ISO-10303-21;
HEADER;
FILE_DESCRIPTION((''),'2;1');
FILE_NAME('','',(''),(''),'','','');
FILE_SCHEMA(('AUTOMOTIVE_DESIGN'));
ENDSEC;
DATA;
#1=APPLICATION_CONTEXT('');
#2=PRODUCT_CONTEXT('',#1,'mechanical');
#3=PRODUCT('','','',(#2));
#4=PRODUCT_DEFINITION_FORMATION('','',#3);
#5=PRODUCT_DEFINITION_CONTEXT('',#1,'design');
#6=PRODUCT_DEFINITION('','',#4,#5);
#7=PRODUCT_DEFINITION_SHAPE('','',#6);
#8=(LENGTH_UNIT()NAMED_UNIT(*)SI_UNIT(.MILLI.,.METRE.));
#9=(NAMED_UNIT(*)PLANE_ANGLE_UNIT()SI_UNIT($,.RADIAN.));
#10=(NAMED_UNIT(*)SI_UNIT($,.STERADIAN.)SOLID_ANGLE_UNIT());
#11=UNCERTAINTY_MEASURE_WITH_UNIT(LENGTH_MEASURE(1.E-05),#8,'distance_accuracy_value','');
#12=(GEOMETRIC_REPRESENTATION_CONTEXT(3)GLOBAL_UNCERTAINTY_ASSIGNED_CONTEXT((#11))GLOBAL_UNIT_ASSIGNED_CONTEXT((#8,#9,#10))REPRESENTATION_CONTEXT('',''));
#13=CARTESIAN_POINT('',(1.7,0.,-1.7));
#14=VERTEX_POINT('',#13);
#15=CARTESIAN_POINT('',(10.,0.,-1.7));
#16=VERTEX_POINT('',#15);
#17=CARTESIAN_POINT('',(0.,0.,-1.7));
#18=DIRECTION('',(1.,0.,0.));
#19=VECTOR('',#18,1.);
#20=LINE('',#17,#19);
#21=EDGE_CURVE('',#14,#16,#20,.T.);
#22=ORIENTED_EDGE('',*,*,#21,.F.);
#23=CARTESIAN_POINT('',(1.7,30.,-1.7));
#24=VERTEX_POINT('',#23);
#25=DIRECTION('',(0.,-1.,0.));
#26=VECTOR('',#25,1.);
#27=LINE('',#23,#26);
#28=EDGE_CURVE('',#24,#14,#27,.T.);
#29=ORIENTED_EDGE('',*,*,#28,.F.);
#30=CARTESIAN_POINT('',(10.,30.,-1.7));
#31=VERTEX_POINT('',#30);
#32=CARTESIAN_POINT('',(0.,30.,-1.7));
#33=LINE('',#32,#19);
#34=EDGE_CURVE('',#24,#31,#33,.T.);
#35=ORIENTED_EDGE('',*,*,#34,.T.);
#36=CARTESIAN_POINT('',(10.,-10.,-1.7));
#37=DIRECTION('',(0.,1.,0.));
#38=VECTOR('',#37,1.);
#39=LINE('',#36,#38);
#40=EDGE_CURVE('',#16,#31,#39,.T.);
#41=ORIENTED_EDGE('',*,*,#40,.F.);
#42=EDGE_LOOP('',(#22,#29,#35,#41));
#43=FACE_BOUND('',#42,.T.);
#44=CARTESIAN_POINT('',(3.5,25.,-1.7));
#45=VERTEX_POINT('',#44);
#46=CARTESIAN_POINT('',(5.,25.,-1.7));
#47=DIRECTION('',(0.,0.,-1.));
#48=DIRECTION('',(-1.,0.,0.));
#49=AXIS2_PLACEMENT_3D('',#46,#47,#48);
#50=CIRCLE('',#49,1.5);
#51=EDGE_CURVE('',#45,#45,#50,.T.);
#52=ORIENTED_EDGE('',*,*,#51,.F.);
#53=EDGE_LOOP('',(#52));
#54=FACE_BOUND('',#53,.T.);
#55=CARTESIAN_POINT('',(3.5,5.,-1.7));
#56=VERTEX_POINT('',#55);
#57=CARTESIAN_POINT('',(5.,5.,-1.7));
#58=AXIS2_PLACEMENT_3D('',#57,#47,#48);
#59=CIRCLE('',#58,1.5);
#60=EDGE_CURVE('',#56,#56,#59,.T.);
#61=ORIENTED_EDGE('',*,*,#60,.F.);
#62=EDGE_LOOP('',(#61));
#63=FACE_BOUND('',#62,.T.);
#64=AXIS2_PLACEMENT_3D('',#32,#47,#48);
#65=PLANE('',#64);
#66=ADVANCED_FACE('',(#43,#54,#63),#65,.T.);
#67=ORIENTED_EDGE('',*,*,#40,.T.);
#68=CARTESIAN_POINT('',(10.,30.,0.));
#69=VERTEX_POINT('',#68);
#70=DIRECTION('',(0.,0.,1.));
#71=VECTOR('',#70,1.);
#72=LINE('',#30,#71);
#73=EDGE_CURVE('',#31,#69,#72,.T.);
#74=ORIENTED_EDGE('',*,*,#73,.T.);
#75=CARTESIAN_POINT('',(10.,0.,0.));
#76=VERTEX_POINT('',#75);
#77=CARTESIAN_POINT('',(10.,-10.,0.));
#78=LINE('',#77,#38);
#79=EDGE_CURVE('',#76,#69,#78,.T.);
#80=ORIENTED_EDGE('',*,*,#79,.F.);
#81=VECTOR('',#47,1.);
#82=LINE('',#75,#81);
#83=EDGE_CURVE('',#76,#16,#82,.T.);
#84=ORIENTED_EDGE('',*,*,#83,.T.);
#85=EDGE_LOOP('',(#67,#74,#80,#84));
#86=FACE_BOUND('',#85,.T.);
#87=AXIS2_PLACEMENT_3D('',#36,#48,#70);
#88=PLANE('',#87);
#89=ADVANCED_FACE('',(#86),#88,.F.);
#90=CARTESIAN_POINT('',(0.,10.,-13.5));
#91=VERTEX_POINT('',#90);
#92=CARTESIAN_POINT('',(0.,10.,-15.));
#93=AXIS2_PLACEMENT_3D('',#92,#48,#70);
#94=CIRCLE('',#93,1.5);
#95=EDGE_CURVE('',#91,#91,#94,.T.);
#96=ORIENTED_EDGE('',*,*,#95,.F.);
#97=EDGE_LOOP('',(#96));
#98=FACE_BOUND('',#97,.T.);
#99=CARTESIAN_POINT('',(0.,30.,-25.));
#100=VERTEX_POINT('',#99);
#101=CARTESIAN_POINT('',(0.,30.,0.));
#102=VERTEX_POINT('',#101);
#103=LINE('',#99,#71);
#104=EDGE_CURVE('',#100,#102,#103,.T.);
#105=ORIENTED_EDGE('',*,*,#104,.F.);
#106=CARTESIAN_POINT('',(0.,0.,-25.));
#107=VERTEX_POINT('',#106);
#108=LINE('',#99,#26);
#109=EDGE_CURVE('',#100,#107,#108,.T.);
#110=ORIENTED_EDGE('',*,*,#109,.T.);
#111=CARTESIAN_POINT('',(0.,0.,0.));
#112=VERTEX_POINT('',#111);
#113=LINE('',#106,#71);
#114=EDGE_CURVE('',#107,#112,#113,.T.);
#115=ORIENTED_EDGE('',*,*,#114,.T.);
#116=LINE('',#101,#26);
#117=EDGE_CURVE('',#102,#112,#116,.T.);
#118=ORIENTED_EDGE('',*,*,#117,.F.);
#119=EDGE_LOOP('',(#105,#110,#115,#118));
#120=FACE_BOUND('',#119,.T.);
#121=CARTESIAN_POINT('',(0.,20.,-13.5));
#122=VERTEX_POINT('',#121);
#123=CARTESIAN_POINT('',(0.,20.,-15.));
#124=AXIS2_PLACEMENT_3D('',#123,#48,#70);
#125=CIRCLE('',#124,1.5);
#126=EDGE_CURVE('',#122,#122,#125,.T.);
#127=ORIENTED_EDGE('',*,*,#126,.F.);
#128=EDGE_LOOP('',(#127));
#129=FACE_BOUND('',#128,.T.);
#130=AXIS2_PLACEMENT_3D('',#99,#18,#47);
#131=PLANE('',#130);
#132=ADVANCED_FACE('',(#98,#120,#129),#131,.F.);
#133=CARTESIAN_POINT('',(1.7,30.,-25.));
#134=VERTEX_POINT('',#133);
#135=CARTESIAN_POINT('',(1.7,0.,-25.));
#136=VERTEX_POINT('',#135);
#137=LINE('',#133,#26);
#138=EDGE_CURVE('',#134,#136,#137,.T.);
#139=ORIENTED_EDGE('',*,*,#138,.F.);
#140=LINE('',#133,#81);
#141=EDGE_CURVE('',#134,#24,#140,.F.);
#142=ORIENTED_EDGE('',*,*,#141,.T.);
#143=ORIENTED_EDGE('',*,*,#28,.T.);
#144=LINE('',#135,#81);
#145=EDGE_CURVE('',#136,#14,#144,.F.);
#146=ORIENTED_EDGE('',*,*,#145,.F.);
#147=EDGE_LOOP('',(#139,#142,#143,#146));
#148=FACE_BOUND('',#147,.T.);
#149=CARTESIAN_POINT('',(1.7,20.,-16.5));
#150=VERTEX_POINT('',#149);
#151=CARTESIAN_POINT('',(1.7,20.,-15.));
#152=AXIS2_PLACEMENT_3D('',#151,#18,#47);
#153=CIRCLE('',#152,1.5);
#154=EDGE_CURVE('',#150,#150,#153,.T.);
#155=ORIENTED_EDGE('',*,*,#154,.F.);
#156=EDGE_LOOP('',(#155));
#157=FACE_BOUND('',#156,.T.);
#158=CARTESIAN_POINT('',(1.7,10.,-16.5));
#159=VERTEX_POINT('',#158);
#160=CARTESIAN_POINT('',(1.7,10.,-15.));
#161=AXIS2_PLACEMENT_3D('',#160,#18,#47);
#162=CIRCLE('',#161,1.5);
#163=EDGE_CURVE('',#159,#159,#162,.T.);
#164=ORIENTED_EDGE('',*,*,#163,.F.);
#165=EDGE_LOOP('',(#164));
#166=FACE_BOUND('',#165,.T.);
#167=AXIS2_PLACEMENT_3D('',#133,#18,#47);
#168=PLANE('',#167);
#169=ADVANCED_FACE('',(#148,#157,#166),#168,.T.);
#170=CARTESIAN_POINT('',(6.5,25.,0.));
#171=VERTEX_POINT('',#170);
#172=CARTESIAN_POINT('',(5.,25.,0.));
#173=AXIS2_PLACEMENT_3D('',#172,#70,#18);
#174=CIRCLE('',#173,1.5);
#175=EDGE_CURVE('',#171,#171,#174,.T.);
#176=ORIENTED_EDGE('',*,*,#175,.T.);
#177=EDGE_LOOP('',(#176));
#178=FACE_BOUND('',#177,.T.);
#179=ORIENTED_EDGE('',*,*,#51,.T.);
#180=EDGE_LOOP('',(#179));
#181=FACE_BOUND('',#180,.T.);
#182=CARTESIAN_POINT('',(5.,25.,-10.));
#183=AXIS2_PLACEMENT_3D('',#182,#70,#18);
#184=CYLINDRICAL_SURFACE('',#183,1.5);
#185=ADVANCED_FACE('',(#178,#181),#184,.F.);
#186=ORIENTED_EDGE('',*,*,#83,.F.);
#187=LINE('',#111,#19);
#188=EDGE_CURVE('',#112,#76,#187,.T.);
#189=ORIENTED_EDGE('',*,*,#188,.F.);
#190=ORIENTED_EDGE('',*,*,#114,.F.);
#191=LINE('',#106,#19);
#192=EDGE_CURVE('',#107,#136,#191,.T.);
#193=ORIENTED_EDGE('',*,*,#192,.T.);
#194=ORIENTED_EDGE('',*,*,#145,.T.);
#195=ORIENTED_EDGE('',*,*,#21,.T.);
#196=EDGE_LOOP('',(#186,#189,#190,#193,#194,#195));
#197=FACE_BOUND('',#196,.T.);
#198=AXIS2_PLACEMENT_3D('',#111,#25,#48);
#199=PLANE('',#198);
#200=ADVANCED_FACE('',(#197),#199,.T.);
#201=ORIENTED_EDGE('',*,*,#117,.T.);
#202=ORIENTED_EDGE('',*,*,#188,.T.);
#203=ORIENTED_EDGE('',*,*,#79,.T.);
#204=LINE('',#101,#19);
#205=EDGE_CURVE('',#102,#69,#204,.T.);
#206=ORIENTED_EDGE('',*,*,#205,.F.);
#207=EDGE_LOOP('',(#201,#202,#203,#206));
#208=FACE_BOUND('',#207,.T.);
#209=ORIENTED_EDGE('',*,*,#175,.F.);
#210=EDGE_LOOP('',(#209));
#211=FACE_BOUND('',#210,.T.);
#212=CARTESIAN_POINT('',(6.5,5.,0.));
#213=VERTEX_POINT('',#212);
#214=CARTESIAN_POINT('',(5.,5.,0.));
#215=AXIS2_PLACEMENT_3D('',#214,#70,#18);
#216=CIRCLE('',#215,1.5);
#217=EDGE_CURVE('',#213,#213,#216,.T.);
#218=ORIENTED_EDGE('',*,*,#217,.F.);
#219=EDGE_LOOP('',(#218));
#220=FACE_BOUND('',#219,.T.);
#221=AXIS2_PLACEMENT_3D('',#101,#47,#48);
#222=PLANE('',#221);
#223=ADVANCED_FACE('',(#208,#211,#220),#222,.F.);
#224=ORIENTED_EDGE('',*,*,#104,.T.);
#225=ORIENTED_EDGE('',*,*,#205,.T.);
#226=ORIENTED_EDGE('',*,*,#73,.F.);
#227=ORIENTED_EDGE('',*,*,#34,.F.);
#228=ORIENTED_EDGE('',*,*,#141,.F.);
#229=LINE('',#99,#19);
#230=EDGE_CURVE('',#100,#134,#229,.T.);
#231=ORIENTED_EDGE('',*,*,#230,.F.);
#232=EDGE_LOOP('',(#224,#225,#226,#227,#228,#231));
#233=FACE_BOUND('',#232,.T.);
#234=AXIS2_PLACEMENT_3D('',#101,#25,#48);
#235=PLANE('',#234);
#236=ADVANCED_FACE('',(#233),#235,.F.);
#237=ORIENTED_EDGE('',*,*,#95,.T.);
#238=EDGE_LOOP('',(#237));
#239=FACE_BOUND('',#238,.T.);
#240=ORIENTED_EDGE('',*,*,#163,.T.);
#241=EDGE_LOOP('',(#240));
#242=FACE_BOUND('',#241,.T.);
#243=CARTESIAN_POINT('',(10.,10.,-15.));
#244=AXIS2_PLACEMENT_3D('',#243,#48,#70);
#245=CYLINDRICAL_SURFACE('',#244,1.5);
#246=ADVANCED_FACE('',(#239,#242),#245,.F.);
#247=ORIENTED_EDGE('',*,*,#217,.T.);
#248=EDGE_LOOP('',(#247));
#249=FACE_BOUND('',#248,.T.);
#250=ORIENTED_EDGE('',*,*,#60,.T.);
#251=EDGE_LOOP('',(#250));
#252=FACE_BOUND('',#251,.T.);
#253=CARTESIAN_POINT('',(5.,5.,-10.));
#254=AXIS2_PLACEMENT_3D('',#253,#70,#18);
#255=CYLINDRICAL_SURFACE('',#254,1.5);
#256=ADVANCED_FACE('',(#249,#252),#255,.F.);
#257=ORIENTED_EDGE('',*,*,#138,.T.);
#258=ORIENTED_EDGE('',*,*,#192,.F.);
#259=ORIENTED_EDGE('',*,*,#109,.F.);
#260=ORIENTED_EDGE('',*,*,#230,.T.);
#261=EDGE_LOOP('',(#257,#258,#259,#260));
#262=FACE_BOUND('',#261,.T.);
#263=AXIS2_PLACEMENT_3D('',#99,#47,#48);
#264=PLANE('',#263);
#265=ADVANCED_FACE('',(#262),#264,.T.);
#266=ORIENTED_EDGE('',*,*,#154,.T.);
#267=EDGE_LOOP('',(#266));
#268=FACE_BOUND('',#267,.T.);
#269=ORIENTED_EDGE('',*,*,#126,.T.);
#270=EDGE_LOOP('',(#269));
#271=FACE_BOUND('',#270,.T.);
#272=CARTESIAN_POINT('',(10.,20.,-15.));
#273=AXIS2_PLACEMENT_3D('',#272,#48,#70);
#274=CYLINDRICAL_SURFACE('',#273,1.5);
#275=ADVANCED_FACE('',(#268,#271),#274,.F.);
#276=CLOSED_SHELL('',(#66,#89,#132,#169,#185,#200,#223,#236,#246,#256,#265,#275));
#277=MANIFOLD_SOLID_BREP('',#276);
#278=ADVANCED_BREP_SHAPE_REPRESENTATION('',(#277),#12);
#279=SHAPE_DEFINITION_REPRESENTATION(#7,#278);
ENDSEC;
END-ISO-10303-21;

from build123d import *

# Parameters (mm, degrees)
EXTRUDE_THIN1_DEPTH = 30
SKETCH10_R          = 1.5
CUT_EXTRUDE1_DEPTH  = 10
SKETCH11_R          = 1.5
CUT_EXTRUDE2_DEPTH  = 10
SKETCH12_W          = 15
SKETCH12_H          = 1.7
CUT_EXTRUDE3_DEPTH  = 40


with BuildPart() as part:
    # Sketch9 → Extrude-Thin1 (new body)
    with BuildSketch(Plane(origin=(0, 0, 0), x_dir=(1, 0, 0), z_dir=(0, 1, 0))):
        Polygon((0, 25), (0, 0), (25, 0), (25, 1.7), (1.7, 1.7), (1.7, 25), align=None)
    extrude(amount=EXTRUDE_THIN1_DEPTH)

    # Sketch10 → Cut-Extrude1 (cut)
    with BuildSketch(Plane.XY):
        with Locations((5, 25)):
            Circle(SKETCH10_R)
        with Locations((5, 5)):
            Circle(SKETCH10_R)
    extrude(amount=-CUT_EXTRUDE1_DEPTH, mode=Mode.SUBTRACT)

    # Sketch11 → Cut-Extrude2 (cut)
    with BuildSketch(Plane.ZY):
        with Locations((-15, 10)):
            Circle(SKETCH11_R)
        with Locations((-15, 20)):
            Circle(SKETCH11_R)
    extrude(amount=-CUT_EXTRUDE2_DEPTH, mode=Mode.SUBTRACT)

    # Sketch12 → Cut-Extrude3 (cut)
    with BuildSketch(Plane(origin=(0, 30, 0), x_dir=(1, 0, 0), z_dir=(0, 1, 0))):
        with Locations((17.5, 0.85)):
            Rectangle(SKETCH12_W, SKETCH12_H)
    extrude(amount=-CUT_EXTRUDE3_DEPTH, mode=Mode.SUBTRACT)


solid = part.part
